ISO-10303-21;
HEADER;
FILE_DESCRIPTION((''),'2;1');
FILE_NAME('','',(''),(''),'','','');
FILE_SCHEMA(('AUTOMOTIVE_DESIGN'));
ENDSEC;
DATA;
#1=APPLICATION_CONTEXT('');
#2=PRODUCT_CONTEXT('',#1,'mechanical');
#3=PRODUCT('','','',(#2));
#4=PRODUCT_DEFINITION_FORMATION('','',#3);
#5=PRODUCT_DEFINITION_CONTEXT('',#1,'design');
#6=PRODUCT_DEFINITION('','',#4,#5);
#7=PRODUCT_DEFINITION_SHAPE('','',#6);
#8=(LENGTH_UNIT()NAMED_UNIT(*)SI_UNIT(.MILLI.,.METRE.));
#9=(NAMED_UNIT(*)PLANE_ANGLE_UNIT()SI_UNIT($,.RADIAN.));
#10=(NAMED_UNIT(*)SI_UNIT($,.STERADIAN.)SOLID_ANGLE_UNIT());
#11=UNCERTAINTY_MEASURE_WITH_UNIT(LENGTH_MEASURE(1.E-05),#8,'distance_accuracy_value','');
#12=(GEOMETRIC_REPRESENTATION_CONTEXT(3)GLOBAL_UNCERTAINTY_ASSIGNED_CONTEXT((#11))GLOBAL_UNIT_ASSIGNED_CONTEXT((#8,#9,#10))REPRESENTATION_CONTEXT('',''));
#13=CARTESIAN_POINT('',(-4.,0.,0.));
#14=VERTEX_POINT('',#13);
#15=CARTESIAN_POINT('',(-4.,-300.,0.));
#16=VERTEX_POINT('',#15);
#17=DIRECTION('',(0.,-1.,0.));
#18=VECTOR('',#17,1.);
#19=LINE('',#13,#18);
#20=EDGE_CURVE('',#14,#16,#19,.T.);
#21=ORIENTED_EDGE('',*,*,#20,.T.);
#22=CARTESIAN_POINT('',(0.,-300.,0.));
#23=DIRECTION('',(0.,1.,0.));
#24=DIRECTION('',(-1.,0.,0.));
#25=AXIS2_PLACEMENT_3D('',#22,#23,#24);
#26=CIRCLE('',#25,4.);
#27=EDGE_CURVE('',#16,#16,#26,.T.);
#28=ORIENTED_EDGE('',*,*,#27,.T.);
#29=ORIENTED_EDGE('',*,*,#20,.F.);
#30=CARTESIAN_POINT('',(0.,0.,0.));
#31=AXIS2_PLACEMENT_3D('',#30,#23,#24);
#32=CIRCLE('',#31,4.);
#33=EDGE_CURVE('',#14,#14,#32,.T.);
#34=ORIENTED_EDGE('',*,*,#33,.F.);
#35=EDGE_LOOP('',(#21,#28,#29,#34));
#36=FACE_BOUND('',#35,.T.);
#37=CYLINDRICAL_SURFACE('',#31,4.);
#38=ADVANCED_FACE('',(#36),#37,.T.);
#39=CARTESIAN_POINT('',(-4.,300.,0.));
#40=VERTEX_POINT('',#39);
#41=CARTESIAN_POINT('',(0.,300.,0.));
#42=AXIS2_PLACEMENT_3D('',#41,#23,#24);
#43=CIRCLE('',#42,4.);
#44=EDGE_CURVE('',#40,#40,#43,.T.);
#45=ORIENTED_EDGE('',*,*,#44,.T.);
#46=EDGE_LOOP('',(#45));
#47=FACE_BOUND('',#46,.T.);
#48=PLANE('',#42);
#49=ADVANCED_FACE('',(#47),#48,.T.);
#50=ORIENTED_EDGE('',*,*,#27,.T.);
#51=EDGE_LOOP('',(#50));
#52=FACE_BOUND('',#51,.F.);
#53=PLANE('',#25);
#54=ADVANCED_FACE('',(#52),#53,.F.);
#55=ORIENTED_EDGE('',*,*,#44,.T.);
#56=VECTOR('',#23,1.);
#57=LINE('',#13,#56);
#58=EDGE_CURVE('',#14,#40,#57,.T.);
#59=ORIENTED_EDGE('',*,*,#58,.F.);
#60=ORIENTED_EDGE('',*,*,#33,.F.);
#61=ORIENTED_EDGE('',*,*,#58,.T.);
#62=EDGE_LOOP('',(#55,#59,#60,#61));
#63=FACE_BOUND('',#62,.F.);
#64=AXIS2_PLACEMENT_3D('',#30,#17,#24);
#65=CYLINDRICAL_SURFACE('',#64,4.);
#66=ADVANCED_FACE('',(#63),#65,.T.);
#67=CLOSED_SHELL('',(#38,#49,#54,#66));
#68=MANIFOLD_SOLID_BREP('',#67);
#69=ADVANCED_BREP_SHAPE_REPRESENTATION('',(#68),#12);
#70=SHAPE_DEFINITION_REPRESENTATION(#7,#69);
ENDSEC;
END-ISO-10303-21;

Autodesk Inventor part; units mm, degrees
ref_plane "YZ Plane" through (0, 0, 0) normal (1, 0, 0) x (0, 1, 0)
ref_plane "XZ Plane" through (0, 0, 0) normal (0, 1, 0) x (-1, 0, 0)
ref_plane "XY Plane" through (0, 0, 0) normal (0, 0, 1) x (1, 0, 0)
sketch "Эскиз1" plane through (0, 0, 0) normal (0, 1, 0) x (-1, 0, 0)
  circle A0 centre (0, 0) radius 4
  dimension "d0" = 8
extrude "Выдавливание1" add sketch "Эскиз1" along normal mid plane 600
properties part number "rail_450"
